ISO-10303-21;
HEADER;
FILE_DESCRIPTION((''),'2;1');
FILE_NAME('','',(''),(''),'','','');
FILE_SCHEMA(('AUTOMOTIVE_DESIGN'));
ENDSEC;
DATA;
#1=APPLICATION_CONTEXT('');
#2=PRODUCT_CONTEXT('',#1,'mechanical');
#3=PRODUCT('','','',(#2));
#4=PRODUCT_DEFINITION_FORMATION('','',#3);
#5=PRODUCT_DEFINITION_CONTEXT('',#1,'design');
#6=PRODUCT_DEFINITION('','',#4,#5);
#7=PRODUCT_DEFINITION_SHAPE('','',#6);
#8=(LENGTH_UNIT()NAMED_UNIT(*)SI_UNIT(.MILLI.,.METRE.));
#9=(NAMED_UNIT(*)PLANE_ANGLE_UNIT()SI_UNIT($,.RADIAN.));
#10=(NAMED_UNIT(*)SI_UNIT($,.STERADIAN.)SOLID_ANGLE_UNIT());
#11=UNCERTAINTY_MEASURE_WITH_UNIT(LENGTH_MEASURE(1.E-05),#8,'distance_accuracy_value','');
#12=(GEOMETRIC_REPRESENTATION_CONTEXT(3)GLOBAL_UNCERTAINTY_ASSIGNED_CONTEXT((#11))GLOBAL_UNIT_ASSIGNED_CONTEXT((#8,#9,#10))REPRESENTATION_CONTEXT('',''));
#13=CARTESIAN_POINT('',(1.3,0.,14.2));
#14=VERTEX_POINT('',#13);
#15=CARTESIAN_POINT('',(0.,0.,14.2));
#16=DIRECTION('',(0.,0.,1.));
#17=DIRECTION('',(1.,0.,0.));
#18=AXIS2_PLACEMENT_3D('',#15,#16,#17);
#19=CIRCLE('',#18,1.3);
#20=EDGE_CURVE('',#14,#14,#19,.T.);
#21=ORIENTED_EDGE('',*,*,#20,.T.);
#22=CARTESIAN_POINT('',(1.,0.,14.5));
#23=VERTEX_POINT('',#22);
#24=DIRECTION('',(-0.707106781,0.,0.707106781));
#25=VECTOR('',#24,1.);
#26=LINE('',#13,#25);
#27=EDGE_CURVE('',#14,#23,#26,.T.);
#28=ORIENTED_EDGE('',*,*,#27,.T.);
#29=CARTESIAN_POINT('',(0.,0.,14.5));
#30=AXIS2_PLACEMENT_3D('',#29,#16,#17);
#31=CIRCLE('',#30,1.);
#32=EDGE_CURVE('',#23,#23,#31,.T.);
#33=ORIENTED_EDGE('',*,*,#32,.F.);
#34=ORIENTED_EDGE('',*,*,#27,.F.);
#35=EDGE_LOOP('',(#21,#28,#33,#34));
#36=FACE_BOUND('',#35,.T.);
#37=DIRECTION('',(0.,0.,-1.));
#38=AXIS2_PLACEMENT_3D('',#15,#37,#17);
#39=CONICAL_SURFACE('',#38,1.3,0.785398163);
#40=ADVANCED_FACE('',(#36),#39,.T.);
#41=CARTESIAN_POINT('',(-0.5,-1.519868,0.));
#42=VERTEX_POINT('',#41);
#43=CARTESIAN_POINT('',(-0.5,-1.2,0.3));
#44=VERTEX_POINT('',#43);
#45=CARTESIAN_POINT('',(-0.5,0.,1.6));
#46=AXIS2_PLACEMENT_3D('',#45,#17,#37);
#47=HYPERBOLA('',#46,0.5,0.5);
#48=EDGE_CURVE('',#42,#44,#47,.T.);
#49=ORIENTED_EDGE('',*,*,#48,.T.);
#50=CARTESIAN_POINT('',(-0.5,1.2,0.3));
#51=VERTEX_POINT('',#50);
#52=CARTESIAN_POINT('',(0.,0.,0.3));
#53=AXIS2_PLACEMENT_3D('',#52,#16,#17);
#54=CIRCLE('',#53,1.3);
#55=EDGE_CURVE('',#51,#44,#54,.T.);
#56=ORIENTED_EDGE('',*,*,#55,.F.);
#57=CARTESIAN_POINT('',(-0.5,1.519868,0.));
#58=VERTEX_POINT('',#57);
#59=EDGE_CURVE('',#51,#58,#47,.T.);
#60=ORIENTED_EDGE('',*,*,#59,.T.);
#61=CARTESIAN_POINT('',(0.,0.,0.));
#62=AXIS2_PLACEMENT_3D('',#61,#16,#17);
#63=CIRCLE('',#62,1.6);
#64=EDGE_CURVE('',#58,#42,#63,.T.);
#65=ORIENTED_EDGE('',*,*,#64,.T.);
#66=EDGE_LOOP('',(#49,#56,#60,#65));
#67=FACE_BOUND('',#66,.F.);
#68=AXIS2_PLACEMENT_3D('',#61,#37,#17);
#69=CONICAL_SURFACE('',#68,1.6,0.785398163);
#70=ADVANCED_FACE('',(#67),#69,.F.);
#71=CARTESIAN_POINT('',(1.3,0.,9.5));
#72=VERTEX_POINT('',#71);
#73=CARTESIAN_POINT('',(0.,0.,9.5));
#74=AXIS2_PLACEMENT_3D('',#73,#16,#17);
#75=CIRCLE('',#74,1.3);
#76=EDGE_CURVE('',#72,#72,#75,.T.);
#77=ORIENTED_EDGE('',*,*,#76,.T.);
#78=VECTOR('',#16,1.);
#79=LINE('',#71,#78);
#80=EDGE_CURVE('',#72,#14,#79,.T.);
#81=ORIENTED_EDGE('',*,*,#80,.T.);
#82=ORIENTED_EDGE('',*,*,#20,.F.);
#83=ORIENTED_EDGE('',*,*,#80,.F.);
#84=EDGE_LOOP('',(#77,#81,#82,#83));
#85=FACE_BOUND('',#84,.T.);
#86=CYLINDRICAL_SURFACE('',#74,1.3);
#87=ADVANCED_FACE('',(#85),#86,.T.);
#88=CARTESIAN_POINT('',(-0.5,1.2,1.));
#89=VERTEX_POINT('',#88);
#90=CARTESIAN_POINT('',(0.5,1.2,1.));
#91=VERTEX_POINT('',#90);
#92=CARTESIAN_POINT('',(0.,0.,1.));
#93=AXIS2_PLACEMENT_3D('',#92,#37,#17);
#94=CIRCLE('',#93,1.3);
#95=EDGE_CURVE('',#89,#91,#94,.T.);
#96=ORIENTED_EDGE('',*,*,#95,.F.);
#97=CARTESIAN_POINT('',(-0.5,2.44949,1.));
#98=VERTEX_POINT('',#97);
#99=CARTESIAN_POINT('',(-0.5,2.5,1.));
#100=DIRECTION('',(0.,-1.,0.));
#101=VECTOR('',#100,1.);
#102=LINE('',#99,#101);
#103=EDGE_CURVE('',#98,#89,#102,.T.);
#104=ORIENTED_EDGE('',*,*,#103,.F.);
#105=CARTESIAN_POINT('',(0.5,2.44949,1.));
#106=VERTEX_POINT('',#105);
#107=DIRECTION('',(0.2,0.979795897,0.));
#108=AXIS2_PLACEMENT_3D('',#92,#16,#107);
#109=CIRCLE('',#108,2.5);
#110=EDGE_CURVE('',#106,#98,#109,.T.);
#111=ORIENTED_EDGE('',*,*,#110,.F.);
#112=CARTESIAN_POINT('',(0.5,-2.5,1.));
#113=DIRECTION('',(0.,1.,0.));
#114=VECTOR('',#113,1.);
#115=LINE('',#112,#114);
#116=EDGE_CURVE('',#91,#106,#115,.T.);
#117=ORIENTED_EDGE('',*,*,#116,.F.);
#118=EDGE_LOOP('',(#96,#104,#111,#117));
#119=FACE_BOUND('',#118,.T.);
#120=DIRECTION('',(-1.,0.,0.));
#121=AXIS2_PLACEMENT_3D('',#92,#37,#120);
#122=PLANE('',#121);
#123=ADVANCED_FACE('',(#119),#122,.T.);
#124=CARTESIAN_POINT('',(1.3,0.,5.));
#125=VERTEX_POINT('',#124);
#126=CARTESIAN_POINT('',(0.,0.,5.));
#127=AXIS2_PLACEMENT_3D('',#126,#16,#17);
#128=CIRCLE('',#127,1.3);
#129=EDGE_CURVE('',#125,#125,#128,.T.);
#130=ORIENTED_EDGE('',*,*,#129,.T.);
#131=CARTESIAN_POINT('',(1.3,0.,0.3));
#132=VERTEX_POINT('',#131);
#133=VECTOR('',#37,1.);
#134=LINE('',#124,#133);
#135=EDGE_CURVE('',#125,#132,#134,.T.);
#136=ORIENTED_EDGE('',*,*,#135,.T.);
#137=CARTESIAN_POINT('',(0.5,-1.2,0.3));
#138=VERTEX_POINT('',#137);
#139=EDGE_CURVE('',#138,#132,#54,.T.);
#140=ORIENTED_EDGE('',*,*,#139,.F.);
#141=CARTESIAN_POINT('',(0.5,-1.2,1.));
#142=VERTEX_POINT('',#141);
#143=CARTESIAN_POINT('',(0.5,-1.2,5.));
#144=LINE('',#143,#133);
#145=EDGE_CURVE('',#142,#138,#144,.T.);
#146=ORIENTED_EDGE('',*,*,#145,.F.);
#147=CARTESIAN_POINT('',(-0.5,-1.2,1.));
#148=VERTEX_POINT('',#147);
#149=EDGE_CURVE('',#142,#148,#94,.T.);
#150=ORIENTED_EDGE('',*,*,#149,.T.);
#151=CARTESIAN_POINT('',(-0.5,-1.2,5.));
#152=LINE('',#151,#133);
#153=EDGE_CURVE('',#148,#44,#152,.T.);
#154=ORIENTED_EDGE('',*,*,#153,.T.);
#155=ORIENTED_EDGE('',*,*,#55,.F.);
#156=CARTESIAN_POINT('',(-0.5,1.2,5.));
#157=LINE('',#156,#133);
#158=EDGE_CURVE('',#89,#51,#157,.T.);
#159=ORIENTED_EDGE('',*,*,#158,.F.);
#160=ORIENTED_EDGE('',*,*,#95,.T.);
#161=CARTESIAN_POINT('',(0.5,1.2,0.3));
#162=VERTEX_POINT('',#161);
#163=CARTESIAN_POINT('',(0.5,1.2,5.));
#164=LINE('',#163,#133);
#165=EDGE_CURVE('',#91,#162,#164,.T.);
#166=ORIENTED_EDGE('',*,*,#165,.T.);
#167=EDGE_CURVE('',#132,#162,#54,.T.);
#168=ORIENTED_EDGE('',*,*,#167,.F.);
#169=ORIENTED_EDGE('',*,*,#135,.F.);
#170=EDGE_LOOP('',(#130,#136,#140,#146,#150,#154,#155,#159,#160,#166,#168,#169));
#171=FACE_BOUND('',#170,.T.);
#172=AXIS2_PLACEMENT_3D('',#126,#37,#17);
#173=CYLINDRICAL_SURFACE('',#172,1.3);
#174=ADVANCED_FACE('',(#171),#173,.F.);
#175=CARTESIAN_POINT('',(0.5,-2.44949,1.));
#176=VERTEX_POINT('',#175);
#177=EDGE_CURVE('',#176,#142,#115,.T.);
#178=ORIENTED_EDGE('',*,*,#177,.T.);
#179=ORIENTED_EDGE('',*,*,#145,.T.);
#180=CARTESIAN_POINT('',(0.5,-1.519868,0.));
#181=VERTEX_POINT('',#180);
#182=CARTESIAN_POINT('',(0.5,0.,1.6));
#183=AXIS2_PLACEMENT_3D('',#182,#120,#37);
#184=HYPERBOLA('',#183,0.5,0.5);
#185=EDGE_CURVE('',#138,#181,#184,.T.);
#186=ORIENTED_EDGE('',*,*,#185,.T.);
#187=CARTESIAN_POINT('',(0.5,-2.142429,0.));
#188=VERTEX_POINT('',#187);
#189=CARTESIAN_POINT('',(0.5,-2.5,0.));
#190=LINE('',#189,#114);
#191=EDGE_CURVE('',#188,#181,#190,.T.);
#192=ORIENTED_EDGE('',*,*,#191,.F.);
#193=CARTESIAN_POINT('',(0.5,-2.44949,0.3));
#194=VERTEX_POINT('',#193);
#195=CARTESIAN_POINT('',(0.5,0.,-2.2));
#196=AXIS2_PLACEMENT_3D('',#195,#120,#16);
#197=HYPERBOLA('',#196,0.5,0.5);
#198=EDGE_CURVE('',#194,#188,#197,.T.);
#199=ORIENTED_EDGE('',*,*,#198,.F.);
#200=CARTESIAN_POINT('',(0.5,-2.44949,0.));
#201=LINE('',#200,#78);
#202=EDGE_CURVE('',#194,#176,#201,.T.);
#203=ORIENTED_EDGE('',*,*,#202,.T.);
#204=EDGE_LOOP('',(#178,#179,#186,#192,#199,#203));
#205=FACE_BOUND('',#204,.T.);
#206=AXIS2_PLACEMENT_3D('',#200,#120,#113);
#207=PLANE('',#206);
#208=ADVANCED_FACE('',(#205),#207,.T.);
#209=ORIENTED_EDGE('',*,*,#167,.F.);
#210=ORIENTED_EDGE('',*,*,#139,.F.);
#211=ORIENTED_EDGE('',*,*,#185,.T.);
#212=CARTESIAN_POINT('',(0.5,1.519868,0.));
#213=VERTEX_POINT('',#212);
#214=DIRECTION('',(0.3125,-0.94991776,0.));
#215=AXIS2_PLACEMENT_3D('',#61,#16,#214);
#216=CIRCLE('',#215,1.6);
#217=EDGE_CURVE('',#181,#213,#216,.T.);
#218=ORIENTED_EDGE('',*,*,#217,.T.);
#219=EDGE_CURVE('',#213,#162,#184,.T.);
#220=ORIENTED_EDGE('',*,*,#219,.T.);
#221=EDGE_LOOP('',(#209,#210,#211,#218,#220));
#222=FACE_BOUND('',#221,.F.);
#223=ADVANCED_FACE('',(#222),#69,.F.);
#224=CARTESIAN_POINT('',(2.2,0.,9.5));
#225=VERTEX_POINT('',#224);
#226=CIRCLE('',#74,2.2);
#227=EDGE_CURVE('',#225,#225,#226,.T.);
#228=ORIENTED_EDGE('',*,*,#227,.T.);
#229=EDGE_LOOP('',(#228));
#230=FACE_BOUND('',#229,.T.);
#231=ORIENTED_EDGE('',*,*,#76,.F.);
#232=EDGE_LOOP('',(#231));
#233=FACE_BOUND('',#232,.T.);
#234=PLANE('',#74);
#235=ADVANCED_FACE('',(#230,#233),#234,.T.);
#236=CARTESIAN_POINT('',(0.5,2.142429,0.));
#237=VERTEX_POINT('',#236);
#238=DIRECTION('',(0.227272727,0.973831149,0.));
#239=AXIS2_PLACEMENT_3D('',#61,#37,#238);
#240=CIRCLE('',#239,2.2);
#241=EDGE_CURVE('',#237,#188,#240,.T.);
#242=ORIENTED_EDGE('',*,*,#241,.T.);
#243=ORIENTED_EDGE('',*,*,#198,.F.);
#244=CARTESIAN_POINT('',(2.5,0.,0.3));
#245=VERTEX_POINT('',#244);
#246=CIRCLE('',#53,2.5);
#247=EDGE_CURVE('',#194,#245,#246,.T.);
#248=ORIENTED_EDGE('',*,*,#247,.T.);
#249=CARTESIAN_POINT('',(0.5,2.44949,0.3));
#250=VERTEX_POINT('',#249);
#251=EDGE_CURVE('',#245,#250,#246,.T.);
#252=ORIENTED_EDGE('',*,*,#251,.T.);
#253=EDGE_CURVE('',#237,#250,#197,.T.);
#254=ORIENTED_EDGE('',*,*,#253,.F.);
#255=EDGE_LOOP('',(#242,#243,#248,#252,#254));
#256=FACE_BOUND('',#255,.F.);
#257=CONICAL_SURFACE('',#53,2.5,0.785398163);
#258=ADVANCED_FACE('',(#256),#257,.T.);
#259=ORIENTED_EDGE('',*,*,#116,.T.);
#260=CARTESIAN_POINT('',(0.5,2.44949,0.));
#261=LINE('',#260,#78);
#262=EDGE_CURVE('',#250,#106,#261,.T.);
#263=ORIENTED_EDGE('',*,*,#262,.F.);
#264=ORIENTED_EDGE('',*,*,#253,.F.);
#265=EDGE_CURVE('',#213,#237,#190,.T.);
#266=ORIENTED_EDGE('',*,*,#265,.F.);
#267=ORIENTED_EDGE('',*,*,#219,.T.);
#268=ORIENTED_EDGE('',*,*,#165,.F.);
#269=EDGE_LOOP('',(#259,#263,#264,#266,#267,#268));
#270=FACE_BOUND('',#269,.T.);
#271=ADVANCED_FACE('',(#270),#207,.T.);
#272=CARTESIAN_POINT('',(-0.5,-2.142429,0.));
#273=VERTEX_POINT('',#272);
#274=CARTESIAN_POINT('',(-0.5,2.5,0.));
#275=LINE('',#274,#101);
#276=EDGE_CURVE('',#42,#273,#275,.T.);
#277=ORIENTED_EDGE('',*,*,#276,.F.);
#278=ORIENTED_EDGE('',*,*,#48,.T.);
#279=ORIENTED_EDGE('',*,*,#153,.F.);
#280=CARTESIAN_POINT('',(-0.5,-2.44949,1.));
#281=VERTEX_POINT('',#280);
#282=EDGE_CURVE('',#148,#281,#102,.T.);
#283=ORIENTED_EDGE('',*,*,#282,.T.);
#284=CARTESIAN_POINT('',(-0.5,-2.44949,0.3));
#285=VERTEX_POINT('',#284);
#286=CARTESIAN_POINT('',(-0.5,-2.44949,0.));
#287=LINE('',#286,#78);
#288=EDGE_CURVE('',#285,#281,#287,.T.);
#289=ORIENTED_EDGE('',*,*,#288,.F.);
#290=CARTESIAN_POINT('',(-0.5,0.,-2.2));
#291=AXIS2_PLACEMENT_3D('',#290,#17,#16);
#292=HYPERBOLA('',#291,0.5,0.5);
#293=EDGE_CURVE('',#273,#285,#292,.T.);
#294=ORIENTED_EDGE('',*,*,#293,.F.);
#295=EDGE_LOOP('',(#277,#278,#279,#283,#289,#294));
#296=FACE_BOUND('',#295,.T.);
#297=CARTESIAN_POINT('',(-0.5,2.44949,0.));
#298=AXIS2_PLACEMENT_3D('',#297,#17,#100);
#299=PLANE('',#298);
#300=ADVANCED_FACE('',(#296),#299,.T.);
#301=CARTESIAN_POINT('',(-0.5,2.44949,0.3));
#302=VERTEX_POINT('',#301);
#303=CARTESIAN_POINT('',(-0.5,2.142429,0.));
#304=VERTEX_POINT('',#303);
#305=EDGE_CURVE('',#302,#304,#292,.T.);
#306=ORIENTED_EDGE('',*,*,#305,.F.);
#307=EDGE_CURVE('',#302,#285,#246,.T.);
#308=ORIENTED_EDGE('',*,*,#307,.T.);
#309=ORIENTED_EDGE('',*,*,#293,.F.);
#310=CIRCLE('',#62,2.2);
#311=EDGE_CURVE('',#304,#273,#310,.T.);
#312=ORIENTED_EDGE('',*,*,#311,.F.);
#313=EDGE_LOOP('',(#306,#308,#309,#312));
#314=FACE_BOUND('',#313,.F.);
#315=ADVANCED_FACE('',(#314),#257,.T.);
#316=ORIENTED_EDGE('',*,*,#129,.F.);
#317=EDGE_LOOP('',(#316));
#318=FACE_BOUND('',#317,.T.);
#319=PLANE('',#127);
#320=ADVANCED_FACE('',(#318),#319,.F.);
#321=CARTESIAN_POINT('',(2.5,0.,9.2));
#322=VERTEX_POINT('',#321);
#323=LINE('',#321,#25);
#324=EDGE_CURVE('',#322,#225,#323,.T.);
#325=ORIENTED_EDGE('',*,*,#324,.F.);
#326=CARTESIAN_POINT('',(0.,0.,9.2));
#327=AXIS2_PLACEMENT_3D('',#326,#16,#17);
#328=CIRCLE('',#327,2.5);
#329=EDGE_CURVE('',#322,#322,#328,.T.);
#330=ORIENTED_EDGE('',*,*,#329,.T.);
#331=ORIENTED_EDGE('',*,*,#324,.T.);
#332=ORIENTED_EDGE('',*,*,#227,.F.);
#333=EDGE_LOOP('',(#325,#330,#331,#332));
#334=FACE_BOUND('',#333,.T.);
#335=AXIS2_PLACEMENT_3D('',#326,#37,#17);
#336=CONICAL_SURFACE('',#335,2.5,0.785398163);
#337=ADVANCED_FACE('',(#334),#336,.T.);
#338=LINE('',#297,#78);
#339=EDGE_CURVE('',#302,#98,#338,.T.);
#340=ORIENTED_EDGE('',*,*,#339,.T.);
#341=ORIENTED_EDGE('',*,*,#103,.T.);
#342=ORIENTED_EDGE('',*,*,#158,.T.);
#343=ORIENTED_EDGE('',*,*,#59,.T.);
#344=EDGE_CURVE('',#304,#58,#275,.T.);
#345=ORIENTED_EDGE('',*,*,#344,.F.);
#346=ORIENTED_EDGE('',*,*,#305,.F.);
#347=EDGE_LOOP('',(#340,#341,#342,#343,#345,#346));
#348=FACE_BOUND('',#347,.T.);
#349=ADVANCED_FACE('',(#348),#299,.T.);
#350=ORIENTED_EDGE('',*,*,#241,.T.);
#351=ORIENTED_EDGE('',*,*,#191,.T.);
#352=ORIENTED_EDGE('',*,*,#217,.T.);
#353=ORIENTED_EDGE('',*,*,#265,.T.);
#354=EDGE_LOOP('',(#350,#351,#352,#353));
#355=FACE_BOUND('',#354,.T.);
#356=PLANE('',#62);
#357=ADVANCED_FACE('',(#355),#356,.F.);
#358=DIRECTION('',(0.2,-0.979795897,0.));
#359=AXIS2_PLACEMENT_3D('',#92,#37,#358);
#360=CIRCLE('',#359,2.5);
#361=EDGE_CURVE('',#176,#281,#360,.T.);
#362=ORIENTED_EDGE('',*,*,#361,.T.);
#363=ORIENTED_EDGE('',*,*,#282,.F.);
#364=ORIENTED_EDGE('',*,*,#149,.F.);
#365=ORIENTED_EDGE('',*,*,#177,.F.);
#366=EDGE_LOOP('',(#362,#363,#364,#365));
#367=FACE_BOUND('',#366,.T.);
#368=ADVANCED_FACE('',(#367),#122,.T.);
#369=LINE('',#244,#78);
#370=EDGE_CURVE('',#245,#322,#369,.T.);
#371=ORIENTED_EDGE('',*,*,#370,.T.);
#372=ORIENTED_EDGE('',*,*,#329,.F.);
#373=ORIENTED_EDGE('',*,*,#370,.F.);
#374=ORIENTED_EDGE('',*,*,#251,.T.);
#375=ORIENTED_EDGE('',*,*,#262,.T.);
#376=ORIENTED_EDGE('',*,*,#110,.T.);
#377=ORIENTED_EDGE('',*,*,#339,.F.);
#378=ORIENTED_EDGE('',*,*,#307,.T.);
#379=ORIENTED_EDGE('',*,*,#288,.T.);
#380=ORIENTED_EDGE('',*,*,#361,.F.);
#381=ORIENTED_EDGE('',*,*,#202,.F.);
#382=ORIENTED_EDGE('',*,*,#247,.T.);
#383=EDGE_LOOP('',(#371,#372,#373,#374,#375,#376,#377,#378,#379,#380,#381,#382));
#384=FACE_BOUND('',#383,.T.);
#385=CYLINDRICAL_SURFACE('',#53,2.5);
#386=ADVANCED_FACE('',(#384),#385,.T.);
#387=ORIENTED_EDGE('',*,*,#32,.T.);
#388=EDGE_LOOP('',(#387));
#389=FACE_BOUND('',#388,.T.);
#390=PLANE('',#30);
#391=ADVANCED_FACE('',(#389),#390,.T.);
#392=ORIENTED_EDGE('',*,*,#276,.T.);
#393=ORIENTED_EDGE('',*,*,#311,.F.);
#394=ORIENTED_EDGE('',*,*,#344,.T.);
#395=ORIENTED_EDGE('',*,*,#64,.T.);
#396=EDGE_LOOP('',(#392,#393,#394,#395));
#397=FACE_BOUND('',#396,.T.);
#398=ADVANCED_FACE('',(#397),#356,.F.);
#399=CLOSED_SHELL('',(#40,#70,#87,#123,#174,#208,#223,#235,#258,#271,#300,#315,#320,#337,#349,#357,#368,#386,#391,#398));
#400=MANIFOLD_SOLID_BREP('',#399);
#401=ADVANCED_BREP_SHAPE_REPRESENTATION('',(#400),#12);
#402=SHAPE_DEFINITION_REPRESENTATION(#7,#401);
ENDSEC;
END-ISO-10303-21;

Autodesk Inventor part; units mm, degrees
ref_plane "YZ Plane" through (0, 0, 0) normal (1, 0, 0) x (0, 1, 0)
ref_plane "XZ Plane" through (0, 0, 0) normal (0, 1, 0) x (-1, 0, 0)
ref_plane "XY Plane" through (0, 0, 0) normal (0, 0, 1) x (1, 0, 0)
sketch "スケッチ1" plane through (0, 0, 0) normal (0, 1, 0) x (-1, 0, 0)
  line L0 (-1.6, 0) -> (-2.2, 0)
  line L1 (-2.5, 0.3) -> (-2.5, 9.2)
  line L2 (-2.2, 9.5) -> (-1.3, 9.5)
  line L3 (-1.3, 9.5) -> (-1.3, 14.2)
  line L4 (-1, 14.5) -> (0, 14.5)
  line L5 (0, 14.5) -> (0, 5)
  line L6 (0, 5) -> (-1.3, 5)
  line L7 (-1.3, 5) -> (-1.3, 0.3)
  line L8 (-1.3, 14.2) -> (-1, 14.5)
  line L9 (-2.5, 9.2) -> (-2.2, 9.5)
  line L10 (-2.5, 0.3) -> (-2.2, 0)
  line L11 (-1.6, 0) -> (-1.3, 0.3)
  line L12 (0, -2.9) -> (0, 17.4) projected
  point P0 (0, 0)
  point P1 (-2.5, 0)
  point P2 (-2.5, 9.5)
  point P3 (-1.3, 14.5)
  point P4 (-1.3, 0)
  dimension "d0" = 2.6
  dimension "d1" = 5
  dimension "d2" = 9.5
  dimension "d3" = 5
  dimension "d4" = 5
  dimension "d5" = 2.6
  dimension "d6" = 0.3
  dimension "d7" = 0.3
  dimension "d8" = 0.3
  dimension "d9" = 0.3
  dimension "d10" = 0.3
  dimension "d11" = 0.3
  dimension "d12" = 0.3
  dimension "d13" = 0.3
revolve "回転1" add sketch "スケッチ1" angle 360 about axis through (0, 0, -10) along (0, 0, 1)
thread "ねじ1" size "M2.6x0.45" class "6g" standard "ANSI Metric M Profile" full length
thread "ねじ2" size "M2.6x0.45" class "6H" standard "ANSI Metric M Profile" full length
sketch "スケッチ2" plane through (0, 0, 0) normal (0, 0, -1) x (-1, 0, 0)
  line L0 (-0.5, 2.5) -> (0.5, 2.5)
  line L1 (0.5, 2.5) -> (0.5, -2.5)
  line L2 (0.5, -2.5) -> (-0.5, -2.5)
  line L3 (-0.5, -2.5) -> (-0.5, 2.5)
  line L4 (-0.5, 2.5) -> (0.5, -2.5) construction
  line L5 (0.5, 2.5) -> (-0.5, -2.5) construction
  circle A0 centre (0, 0) radius 2.5 projected
  point P0 (0.5, 2.4495)
  point P1 (-0.5, 2.4495)
  point P2 (-0.5, -2.4495)
  point P3 (0.5, -2.4495)
  dimension "d19" = 1
extrude "押し出し1" cut sketch "スケッチ2" against normal blind 1 contours A0 L1 L3
equation "\"d7\" = d6"
equation "\"d8\" = d6"
equation "\"d9\" = d8"
equation "\"d10\" = d6"
equation "\"d11\" = d10"
equation "\"d12\" = d6"
equation "\"d13\" = d12"
properties part number "BRU-2609.5S" material "ステンレス鋼 AISI 304"
